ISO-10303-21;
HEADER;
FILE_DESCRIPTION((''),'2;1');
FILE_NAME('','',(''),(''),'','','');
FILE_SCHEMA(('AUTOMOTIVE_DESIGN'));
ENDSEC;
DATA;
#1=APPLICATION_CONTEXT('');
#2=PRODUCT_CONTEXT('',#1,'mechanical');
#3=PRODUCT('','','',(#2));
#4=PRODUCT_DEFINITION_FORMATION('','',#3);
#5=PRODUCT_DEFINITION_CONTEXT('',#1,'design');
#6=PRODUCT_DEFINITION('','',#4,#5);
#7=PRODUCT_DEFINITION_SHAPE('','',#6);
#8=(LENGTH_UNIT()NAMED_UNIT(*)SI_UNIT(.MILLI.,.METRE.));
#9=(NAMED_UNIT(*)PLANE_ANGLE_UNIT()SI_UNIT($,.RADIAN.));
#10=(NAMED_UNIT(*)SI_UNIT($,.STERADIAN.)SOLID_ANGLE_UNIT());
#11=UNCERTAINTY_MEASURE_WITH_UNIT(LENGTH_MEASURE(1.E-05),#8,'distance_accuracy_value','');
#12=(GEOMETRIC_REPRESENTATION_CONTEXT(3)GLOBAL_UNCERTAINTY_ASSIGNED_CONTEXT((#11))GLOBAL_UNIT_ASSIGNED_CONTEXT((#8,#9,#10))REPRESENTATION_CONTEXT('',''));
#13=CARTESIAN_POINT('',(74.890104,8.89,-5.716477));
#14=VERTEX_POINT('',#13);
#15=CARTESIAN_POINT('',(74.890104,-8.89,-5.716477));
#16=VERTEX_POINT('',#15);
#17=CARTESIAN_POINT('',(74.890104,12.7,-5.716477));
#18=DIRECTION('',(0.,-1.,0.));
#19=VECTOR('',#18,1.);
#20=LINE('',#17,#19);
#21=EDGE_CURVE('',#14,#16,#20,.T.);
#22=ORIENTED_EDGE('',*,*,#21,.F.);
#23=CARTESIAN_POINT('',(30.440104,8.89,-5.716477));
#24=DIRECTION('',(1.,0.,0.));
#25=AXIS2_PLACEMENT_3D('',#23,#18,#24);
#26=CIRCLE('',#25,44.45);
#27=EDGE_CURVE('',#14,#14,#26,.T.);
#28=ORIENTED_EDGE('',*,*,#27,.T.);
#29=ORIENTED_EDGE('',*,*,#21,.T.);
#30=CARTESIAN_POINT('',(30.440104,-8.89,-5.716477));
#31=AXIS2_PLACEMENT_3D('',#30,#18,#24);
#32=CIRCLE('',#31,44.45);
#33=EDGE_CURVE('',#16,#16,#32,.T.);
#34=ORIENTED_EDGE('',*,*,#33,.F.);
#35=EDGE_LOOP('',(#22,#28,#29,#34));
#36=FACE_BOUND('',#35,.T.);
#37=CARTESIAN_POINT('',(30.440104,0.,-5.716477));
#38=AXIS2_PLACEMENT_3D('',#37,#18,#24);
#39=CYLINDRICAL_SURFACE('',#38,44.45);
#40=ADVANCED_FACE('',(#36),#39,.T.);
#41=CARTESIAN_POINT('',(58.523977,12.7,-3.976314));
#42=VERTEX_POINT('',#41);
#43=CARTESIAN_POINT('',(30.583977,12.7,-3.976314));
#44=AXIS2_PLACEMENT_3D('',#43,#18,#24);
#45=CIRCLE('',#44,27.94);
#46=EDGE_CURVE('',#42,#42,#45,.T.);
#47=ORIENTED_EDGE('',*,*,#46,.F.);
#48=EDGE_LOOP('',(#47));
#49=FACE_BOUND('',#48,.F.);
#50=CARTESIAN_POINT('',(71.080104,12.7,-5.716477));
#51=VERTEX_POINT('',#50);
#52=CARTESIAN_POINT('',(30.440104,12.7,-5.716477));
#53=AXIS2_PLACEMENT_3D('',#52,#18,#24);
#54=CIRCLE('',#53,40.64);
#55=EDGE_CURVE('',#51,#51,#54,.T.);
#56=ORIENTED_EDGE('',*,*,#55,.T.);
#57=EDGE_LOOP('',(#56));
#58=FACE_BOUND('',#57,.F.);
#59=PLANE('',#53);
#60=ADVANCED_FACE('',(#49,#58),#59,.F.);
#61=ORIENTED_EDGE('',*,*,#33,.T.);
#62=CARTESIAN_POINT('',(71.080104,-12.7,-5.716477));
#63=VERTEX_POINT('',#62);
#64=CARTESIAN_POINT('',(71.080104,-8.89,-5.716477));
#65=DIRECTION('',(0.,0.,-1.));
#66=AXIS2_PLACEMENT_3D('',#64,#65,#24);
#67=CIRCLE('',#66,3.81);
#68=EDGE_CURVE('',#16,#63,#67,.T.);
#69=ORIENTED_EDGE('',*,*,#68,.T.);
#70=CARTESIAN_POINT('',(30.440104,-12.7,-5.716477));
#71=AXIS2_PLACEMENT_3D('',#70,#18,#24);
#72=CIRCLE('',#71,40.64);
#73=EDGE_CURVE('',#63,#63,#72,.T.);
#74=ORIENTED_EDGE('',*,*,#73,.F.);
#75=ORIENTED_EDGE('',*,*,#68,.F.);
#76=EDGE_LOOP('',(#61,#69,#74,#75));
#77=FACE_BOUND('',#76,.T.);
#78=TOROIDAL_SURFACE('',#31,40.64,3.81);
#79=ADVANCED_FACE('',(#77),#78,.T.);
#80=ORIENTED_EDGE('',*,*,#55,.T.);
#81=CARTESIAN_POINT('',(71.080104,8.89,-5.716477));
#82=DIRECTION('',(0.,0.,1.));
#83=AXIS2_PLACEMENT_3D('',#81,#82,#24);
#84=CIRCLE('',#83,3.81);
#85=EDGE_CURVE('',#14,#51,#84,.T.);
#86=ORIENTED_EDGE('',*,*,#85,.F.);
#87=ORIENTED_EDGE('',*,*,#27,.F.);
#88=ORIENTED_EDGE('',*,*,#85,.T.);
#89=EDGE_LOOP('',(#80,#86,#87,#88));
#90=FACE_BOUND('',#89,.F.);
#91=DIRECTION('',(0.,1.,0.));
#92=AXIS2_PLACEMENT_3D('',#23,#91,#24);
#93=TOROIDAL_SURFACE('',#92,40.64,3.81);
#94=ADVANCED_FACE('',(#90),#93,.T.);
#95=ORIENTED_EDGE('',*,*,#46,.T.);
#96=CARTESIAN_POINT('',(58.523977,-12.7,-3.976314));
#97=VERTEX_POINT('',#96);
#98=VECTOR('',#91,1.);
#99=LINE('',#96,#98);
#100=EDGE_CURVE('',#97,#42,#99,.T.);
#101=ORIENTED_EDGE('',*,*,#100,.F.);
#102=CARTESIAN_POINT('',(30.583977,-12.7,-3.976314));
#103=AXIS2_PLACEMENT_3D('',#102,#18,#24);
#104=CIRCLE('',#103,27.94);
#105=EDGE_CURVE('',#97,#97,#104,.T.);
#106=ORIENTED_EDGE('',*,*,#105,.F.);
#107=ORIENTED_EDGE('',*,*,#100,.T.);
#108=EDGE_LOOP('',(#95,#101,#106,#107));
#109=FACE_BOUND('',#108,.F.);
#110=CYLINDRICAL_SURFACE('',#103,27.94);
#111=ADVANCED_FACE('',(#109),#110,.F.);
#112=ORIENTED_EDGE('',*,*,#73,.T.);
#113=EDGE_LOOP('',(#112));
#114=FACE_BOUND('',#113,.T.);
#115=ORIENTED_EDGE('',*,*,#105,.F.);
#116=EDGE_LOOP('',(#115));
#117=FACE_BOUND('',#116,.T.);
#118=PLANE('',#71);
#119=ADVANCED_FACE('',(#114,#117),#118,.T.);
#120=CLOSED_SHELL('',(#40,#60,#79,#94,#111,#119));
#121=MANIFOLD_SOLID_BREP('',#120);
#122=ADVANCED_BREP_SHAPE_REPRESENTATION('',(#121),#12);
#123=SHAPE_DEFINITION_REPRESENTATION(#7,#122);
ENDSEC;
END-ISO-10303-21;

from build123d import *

# Parameters (mm, degrees)
F0_R     = 44.45
F1_DEPTH = 12.7
F2_R     = 3.81
F3_R     = 27.94
F4_DEPTH = 25.401


with BuildPart() as f1:
    # F0 (on Front) → F1 (new body, symmetric)
    with BuildSketch(Plane.XZ):
        with Locations((30.440104, -5.716477)):
            Circle(F0_R)
    extrude(amount=F1_DEPTH, both=True)

    # F2
    f2_edges = [f1.edges().sort_by_distance(p)[0] for p in [
        (-14.009896, -12.7, -5.716477),
        (-14.009896, 12.7, -5.716477),
    ]]
    fillet(f2_edges, radius=F2_R)

    # F3 (on face) → F4 (cut, through all)
    with BuildSketch(Plane.XZ.offset(12.7)):
        with Locations((30.583977, -3.976314)):
            Circle(F3_R)
    extrude(amount=-F4_DEPTH, mode=Mode.SUBTRACT)


solid = f1.part
